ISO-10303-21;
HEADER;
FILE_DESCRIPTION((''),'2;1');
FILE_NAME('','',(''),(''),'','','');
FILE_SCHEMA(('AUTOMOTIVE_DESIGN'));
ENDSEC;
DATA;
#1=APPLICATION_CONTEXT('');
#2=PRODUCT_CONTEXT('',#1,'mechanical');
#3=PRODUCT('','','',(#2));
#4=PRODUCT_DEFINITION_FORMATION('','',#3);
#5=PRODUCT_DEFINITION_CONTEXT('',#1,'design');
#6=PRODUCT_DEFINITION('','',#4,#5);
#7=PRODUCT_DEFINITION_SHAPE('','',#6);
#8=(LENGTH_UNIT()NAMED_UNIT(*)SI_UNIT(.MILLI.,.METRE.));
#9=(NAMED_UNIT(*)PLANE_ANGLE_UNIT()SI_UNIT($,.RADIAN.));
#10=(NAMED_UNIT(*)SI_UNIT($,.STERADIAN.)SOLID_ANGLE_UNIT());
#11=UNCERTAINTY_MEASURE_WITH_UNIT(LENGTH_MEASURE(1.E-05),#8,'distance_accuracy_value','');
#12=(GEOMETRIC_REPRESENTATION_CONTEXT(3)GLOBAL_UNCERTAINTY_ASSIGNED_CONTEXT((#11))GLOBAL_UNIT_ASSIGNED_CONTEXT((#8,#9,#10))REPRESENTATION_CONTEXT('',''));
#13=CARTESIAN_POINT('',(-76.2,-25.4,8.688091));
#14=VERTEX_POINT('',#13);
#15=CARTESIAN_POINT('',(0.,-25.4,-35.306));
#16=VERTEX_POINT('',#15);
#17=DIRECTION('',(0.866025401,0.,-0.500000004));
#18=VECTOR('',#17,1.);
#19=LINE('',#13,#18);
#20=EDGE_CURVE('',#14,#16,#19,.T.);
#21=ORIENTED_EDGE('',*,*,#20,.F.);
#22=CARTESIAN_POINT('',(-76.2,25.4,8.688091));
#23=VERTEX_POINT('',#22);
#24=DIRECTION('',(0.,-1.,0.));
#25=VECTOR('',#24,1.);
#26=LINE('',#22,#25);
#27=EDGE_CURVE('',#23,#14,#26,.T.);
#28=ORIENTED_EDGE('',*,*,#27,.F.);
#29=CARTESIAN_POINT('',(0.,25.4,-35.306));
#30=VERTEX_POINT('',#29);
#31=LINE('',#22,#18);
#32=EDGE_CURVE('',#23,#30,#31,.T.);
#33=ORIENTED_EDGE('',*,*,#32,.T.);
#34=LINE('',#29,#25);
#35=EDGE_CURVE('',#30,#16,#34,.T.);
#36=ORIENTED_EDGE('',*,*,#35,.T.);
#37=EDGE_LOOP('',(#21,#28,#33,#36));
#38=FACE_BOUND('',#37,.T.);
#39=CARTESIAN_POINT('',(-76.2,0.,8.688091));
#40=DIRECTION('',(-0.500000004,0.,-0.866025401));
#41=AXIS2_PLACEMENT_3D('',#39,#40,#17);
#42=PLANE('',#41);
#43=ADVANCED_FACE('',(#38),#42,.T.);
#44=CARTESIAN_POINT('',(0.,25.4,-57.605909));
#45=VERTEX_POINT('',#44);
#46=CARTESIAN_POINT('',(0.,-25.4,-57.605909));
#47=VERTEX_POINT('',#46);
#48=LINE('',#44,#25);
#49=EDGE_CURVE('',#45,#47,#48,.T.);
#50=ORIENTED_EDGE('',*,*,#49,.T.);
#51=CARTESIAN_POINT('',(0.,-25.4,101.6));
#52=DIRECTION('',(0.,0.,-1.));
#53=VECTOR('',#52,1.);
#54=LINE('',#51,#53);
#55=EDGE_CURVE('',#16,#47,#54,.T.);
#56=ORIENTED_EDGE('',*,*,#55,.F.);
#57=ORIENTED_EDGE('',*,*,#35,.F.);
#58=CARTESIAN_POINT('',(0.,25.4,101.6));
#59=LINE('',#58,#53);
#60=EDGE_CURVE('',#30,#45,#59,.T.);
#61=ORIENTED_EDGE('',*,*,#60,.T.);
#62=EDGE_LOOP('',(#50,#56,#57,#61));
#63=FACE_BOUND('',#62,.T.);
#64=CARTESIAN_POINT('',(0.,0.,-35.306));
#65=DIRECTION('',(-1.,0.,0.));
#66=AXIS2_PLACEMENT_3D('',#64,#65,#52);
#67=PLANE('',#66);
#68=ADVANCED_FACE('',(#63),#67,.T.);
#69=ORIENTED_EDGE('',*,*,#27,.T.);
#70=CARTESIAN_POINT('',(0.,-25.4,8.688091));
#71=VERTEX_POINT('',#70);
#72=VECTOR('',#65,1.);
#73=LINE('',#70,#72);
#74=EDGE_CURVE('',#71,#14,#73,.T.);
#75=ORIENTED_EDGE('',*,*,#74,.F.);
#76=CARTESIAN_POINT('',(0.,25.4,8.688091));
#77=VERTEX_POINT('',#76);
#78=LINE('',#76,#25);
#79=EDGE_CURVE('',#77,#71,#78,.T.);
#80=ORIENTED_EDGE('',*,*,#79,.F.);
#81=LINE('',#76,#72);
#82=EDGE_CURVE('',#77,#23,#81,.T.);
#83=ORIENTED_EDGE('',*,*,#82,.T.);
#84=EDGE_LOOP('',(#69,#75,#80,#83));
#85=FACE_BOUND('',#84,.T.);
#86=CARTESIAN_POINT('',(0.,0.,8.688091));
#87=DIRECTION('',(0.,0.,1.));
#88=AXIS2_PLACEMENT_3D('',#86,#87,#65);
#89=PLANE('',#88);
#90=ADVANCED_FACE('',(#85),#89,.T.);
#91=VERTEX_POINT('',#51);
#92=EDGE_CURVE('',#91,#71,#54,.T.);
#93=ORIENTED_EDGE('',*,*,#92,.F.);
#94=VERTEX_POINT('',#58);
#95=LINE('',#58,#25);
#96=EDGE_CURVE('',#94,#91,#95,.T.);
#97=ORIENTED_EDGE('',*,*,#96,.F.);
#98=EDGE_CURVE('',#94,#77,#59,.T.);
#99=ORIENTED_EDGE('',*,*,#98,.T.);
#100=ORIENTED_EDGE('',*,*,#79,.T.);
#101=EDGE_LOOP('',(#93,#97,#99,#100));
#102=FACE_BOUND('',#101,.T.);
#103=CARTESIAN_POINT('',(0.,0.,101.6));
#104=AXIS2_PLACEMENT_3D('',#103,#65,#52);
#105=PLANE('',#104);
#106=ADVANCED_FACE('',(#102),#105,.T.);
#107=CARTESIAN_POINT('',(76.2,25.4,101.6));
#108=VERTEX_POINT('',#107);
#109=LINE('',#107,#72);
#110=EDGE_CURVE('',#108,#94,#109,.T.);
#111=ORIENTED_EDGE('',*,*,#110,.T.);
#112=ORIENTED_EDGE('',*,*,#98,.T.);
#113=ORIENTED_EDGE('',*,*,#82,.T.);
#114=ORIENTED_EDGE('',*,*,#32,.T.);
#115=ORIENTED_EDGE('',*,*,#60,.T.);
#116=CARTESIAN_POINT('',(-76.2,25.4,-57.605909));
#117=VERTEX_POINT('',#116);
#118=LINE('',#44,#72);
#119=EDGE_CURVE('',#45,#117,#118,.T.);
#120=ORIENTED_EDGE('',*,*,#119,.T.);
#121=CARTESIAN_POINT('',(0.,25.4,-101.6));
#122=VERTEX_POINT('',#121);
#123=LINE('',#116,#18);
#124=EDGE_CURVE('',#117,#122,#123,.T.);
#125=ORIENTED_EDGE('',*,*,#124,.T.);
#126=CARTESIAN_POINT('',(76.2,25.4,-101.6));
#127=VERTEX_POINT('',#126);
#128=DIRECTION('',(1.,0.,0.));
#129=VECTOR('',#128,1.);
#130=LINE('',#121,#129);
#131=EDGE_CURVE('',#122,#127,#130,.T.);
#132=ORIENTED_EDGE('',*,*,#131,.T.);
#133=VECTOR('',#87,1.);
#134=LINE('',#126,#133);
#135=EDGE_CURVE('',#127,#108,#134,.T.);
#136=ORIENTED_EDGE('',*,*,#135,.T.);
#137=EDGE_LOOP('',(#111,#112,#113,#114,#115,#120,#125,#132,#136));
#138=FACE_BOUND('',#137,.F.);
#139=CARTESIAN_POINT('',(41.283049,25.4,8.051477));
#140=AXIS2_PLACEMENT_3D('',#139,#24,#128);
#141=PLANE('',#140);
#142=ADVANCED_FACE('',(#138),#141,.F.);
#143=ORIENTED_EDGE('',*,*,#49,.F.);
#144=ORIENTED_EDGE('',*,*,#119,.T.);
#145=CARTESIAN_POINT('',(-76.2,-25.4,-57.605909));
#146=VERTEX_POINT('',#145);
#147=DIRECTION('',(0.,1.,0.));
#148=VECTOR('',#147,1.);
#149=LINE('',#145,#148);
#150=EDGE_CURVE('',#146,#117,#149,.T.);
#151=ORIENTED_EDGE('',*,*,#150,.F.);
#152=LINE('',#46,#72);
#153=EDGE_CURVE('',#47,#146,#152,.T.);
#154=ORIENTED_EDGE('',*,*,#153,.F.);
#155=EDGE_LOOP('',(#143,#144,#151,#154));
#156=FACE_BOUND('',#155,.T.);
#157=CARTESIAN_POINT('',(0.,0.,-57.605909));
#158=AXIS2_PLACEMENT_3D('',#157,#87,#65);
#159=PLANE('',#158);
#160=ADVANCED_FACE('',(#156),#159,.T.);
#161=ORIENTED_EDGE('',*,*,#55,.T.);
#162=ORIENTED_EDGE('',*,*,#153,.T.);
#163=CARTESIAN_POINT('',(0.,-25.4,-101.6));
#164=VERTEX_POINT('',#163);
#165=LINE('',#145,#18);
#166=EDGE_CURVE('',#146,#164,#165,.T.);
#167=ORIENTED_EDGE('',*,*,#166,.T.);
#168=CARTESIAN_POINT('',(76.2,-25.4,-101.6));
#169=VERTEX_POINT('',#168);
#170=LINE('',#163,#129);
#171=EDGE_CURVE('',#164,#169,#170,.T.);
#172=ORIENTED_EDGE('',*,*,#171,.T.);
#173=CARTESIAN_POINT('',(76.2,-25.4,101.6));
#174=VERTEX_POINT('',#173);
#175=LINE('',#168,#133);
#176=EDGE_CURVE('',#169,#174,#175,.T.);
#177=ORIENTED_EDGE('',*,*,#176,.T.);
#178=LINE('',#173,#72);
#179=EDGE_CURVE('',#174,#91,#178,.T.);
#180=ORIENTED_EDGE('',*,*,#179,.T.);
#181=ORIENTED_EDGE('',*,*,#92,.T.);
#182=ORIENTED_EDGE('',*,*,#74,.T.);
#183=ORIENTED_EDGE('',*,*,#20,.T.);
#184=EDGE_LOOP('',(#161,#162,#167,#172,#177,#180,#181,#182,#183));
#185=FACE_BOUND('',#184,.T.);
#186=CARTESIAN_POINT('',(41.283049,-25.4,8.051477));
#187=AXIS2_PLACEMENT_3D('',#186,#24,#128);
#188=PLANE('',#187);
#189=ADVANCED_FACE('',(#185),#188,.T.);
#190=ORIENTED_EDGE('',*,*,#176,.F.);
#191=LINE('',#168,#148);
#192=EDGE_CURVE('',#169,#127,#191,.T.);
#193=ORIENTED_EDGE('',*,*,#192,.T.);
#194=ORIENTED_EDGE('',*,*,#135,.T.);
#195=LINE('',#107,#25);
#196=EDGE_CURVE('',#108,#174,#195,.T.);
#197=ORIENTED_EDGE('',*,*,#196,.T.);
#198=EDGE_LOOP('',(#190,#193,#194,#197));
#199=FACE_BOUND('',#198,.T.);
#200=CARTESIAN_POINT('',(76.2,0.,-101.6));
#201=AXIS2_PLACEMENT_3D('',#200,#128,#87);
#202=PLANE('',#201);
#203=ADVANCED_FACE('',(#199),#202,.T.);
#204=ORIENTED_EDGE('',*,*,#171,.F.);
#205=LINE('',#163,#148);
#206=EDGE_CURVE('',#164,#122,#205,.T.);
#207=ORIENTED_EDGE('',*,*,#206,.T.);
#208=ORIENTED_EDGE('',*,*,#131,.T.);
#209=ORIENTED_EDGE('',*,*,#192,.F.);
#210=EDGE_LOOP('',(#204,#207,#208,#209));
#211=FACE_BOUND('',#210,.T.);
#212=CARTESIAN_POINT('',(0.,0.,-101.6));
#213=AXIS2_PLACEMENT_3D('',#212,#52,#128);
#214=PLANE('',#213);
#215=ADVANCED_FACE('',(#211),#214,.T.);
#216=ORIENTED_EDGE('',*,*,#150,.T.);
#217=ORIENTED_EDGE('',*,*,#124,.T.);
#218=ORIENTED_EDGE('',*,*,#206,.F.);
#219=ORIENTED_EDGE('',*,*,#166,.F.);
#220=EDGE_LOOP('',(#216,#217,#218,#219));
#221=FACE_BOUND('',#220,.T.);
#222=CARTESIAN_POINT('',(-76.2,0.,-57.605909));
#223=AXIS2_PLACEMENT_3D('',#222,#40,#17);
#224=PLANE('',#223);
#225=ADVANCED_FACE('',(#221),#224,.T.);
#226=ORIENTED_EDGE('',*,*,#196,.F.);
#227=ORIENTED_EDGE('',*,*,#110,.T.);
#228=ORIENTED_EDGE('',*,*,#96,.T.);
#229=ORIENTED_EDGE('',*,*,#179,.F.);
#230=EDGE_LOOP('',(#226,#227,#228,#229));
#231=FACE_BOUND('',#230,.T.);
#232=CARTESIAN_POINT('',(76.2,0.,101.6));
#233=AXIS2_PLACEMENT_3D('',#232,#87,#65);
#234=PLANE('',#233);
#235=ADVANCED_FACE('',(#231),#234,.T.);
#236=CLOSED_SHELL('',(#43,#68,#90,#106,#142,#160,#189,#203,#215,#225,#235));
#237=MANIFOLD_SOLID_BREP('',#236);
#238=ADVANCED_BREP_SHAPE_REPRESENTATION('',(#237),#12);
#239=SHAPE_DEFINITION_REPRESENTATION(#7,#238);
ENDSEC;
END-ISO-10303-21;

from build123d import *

# Parameters (mm, degrees)
F1_DEPTH      = 25.4
F1_DEPTH_BACK = 25.4


with BuildPart() as f1:
    # F0 (on Front) → F1 (new body, two sides)
    with BuildSketch(Plane.XZ) as f1_sk:
        Polygon((0, -57.605909), (76.2, -101.6), (76.2, 101.6), (0, 101.6), (0, 8.688091), (0, -35.306), align=None)
        Polygon((0, -57.605909), (0, -101.6), (76.2, -101.6), align=None)
        Polygon((-76.2, -57.605909), (0, -101.6), (0, -57.605909), align=None)
        Polygon((-76.2, 8.688091), (0, -35.306), (0, 8.688091), align=None)
    extrude(amount=F1_DEPTH)
    extrude(f1_sk.sketch, amount=-F1_DEPTH_BACK)


solid = f1.part
